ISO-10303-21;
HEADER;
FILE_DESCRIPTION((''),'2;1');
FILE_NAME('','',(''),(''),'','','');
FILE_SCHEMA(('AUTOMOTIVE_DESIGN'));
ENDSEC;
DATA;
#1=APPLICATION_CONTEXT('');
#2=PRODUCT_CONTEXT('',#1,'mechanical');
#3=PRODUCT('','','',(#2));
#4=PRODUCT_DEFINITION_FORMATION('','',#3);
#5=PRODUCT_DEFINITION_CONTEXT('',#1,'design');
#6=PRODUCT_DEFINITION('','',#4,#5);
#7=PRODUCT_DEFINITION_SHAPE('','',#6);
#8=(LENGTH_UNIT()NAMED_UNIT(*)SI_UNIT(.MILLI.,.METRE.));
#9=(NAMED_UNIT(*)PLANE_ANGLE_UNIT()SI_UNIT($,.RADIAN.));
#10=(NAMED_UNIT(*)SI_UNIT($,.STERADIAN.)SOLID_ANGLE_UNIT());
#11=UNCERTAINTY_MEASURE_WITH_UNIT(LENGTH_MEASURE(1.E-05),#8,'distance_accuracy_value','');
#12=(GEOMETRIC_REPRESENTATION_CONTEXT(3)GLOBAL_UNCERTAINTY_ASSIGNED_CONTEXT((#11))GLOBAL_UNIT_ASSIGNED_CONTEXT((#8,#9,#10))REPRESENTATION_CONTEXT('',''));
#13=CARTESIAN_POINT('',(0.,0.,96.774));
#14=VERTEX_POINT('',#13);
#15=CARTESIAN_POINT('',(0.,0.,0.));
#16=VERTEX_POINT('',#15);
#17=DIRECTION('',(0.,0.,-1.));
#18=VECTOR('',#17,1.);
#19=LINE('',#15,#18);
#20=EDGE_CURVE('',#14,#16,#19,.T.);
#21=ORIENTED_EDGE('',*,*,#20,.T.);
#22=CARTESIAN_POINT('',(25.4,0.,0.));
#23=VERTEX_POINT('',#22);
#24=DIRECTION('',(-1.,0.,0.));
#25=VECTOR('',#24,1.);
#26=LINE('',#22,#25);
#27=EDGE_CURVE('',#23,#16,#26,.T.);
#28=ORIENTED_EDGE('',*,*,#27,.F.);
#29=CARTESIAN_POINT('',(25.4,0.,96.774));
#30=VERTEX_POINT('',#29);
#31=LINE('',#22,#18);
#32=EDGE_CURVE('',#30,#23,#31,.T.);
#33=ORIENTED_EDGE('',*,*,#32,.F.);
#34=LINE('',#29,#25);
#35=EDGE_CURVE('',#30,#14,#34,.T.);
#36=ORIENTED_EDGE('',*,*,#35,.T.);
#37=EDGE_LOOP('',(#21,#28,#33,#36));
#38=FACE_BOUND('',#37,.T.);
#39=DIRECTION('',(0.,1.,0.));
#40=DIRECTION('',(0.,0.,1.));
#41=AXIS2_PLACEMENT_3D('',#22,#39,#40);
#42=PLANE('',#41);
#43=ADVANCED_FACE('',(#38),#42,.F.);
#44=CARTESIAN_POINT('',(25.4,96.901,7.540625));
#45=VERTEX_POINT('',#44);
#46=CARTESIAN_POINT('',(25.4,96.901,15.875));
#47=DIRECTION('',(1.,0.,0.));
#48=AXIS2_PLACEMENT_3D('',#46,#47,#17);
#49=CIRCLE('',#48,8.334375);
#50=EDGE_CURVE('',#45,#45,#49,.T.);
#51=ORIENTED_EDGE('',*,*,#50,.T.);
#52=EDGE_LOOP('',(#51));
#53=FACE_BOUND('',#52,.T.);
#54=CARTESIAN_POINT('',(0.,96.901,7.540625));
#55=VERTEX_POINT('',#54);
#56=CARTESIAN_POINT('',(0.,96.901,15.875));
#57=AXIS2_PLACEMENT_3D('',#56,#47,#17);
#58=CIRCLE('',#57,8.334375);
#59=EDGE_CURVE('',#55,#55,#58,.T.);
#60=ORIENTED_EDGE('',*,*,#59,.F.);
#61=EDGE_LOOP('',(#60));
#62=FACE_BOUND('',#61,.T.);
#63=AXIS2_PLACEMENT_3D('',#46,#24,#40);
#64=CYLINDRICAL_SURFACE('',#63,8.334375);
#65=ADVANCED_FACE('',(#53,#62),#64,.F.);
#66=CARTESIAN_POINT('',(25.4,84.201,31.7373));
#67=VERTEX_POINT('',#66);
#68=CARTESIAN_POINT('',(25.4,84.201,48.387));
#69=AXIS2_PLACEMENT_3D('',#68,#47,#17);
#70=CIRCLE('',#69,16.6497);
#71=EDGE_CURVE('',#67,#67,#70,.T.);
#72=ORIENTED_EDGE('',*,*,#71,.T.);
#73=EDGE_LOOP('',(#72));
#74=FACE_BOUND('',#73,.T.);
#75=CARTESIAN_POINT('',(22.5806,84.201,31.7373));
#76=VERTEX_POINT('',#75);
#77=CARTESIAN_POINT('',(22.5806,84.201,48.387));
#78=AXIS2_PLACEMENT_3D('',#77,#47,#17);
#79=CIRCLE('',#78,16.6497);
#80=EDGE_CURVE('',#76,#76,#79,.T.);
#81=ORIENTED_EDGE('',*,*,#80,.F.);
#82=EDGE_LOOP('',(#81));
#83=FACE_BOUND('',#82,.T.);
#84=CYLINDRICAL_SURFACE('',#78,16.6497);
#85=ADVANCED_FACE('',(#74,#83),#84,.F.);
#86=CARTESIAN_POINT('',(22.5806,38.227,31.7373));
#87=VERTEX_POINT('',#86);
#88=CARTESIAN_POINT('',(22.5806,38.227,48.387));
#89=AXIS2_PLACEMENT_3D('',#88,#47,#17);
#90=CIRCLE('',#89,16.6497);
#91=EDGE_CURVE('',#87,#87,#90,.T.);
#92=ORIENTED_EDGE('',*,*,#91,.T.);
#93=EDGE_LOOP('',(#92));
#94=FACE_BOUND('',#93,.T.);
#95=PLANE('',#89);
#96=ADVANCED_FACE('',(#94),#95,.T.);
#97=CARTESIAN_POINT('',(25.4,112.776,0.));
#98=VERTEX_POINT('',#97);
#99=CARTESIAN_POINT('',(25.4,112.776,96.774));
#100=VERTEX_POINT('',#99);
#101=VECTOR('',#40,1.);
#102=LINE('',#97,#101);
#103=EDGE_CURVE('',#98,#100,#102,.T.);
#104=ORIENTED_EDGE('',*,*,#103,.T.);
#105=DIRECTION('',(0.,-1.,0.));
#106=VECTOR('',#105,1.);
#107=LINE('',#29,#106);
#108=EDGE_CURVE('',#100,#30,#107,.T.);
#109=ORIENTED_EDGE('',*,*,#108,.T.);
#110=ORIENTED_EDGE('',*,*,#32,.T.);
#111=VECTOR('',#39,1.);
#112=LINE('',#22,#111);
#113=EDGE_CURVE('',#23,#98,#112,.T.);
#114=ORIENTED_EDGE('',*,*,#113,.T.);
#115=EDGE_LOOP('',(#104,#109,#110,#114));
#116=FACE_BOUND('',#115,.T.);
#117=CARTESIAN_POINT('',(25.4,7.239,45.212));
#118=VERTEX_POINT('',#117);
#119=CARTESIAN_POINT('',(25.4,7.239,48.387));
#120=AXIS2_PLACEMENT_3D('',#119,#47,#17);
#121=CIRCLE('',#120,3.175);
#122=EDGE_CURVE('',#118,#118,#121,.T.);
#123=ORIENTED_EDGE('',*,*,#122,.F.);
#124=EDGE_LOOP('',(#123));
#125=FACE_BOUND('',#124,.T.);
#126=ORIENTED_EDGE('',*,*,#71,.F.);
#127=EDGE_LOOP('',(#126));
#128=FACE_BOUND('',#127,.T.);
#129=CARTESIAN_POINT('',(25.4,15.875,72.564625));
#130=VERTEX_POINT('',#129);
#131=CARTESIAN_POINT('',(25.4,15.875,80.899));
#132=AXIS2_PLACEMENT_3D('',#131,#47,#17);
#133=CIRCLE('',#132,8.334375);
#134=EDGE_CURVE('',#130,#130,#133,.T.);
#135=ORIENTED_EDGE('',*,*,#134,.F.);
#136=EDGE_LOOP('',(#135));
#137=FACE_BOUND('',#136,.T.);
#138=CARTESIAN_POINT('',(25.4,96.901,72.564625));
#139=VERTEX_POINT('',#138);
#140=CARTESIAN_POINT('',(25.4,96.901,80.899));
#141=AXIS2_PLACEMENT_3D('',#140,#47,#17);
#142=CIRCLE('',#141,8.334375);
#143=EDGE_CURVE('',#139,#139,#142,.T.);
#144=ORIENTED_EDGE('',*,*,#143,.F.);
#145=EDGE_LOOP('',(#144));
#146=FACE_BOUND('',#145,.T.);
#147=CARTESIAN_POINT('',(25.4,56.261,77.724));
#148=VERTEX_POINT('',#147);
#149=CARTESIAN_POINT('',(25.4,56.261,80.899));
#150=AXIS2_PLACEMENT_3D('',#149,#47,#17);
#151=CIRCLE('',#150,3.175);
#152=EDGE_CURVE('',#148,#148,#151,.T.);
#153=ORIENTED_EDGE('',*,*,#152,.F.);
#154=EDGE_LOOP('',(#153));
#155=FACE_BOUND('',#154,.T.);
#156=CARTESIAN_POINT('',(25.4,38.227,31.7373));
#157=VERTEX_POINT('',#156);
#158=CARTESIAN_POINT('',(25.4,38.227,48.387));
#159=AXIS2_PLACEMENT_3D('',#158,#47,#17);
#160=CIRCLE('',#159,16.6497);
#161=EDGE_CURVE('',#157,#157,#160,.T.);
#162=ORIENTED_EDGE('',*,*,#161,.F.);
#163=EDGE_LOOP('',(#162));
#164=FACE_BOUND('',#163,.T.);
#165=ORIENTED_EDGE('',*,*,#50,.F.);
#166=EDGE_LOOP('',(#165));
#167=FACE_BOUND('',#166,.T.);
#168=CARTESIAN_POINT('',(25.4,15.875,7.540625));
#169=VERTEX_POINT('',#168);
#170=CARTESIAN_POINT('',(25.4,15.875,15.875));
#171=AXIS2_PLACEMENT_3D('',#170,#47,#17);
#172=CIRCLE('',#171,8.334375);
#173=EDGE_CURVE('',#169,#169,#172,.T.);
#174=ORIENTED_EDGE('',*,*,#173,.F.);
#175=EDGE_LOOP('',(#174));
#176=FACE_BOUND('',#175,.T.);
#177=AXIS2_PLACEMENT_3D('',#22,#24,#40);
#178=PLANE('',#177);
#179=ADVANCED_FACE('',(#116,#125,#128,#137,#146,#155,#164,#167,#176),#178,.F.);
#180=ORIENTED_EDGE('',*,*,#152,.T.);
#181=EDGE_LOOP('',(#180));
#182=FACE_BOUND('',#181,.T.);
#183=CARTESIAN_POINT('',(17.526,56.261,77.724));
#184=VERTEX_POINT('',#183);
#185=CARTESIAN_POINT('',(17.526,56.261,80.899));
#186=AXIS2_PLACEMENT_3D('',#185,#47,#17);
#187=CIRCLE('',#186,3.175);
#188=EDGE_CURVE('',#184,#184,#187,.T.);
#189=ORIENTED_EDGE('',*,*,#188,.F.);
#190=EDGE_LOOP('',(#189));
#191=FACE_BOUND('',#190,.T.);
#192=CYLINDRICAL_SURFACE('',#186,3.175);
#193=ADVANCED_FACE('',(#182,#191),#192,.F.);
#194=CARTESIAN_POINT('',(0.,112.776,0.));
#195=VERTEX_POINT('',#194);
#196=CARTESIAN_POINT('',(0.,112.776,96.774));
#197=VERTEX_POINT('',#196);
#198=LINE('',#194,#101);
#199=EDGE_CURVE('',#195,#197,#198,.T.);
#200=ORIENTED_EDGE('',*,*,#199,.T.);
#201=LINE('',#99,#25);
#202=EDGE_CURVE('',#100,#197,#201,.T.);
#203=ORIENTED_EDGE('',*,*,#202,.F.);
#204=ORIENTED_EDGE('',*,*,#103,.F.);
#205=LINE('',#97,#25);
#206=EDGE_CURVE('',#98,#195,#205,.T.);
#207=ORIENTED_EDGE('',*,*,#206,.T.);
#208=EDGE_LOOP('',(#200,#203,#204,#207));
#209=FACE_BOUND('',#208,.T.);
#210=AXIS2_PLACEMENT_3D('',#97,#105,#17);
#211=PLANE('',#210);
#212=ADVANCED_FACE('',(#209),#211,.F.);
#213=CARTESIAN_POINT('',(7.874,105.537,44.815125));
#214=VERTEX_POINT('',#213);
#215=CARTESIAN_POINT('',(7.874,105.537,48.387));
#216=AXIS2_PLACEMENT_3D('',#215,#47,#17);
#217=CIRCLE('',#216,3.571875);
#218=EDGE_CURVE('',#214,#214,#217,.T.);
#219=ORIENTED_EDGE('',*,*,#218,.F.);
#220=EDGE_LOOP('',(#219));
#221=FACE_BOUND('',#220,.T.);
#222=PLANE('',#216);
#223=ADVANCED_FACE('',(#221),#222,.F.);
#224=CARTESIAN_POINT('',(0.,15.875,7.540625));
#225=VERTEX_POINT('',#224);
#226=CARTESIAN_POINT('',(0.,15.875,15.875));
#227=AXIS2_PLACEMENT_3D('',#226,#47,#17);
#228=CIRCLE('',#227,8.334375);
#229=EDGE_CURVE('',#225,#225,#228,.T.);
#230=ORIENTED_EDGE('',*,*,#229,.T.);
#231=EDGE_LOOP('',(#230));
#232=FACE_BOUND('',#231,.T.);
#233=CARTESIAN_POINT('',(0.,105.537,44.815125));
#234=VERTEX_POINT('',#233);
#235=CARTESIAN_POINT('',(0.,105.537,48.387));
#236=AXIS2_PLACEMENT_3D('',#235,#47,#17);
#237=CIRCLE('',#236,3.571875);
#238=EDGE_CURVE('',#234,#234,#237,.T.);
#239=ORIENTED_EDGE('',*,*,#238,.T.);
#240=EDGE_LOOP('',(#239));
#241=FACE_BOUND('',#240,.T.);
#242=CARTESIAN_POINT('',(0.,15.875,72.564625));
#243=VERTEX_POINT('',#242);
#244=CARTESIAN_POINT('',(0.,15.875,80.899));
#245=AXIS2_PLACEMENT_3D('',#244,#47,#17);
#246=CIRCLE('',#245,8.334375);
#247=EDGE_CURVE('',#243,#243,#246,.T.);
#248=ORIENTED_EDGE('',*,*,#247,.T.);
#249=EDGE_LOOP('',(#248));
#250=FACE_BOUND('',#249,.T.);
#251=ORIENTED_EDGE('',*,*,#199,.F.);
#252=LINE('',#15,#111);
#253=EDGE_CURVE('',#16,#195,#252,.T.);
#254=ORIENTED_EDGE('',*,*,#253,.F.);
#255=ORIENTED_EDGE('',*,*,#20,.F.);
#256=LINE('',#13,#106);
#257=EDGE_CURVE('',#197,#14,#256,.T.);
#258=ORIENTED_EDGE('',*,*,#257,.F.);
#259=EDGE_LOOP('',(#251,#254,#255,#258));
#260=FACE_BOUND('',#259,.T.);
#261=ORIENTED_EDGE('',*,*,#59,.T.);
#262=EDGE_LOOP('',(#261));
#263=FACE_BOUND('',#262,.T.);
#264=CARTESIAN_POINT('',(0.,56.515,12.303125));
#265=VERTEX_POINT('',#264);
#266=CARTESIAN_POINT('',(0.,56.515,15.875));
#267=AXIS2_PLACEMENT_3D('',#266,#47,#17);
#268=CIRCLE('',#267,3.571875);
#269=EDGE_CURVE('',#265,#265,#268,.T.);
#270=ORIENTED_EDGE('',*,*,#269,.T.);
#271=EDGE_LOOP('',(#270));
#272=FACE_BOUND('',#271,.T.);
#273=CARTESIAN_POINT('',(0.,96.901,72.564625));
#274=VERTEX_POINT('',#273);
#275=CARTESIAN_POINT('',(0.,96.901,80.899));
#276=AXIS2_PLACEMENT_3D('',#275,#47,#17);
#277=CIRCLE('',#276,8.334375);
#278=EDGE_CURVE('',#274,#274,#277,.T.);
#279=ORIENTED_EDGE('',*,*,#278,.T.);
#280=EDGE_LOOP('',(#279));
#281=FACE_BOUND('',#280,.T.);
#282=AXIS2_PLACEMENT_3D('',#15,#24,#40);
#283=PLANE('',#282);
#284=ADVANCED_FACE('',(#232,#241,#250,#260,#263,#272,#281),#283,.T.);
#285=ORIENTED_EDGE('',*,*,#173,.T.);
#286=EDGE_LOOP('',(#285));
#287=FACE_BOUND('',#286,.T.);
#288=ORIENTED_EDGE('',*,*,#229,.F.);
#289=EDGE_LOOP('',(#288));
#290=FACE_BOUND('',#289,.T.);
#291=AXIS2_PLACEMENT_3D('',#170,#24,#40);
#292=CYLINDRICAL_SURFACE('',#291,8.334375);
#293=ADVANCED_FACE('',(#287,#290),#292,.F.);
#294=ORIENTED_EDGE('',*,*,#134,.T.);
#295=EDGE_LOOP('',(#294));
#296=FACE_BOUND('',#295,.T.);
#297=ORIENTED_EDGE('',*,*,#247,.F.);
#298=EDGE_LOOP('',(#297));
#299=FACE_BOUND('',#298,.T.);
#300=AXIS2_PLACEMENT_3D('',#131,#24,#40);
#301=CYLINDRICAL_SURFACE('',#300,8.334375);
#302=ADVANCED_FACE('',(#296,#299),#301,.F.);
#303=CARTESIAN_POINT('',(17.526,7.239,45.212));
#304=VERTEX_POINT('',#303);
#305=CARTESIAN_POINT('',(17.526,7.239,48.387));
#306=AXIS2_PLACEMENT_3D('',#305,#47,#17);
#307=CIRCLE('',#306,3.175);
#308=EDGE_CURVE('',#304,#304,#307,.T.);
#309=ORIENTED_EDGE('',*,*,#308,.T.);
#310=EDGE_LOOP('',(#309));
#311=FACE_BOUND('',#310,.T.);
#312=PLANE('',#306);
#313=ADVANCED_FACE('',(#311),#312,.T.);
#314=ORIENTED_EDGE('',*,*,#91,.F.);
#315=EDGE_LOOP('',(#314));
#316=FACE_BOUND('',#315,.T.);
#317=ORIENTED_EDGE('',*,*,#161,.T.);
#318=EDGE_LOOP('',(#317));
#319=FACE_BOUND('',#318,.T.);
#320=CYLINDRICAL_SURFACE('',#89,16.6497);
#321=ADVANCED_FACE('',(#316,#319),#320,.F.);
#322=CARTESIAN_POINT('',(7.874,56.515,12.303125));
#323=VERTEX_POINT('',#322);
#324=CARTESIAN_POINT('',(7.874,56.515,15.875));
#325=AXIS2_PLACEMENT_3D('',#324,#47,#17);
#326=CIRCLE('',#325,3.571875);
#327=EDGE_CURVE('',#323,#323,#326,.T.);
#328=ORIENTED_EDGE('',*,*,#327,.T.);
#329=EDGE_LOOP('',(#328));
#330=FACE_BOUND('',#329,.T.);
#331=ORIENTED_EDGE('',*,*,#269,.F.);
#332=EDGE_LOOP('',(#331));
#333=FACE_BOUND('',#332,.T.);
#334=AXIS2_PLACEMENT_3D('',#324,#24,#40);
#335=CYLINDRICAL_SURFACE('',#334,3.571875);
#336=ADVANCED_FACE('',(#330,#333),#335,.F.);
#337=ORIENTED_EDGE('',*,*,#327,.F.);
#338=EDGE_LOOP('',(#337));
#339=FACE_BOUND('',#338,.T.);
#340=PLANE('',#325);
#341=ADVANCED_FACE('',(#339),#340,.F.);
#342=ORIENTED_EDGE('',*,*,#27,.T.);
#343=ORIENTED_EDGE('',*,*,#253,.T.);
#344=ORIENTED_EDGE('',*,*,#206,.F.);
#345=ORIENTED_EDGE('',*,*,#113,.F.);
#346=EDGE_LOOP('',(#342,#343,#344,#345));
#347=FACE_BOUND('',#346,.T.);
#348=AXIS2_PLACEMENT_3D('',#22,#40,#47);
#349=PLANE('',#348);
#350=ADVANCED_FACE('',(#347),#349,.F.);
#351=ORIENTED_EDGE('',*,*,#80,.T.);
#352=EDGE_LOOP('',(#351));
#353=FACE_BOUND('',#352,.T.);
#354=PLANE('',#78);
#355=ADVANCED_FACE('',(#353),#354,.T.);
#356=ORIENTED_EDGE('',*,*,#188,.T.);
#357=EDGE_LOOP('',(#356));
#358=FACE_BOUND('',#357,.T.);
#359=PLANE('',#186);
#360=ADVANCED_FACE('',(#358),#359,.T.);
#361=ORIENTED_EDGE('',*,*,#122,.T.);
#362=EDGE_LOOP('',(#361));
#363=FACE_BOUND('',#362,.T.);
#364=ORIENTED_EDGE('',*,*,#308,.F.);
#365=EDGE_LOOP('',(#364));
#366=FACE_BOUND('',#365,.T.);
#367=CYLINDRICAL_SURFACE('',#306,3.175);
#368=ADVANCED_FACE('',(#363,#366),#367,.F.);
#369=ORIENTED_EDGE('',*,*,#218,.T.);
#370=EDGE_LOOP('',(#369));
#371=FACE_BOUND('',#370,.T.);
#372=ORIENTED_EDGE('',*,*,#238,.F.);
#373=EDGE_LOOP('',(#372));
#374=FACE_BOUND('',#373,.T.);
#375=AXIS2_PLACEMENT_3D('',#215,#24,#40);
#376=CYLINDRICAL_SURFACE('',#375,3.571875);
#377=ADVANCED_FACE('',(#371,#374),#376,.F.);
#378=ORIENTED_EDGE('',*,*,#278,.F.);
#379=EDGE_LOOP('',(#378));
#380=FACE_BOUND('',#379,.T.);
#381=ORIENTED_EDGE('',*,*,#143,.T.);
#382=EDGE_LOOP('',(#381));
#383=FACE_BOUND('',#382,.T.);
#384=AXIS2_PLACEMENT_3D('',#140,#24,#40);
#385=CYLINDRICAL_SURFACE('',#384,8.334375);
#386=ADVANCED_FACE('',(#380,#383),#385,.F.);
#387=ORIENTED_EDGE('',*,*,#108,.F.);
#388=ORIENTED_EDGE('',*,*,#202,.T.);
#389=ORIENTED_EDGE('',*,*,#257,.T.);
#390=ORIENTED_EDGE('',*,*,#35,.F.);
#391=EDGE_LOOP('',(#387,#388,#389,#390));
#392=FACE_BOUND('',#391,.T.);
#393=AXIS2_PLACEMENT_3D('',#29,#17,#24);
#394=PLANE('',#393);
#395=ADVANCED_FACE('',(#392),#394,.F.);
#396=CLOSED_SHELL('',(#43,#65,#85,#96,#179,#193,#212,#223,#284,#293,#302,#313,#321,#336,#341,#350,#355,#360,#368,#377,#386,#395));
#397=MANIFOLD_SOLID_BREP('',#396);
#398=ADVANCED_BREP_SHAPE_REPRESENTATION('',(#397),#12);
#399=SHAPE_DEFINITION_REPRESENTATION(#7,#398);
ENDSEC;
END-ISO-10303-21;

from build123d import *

# Parameters (mm, degrees)
SKETCH1_W           = 112.776
SKETCH1_H           = 96.774
BOSS_EXTRUDE1_DEPTH = 25.4
SKETCH2_R           = 8.334375
CUT_EXTRUDE2_DEPTH  = 151.760715215
SKETCH3_R           = 8.334375
CUT_EXTRUDE4_DEPTH  = 151.760715215
SKETCH4_R           = 3.571875
CUT_EXTRUDE6_DEPTH  = 7.874
SKETCH5_R           = 3.571875
CUT_EXTRUDE8_DEPTH  = 7.874
CUT_EXTRUDE10_START = 25.4
SKETCH6_R           = 3.175
CUT_EXTRUDE10_DEPTH = 7.874
CUT_EXTRUDE12_START = 25.4
SKETCH7_R           = 3.175
CUT_EXTRUDE12_DEPTH = 7.874
CUT_EXTRUDE14_START = 25.4
SKETCH8_R           = 16.6497
CUT_EXTRUDE14_DEPTH = 2.8194
CUT_EXTRUDE15_START = 25.4
SKETCH9_R           = 16.6497
CUT_EXTRUDE15_DEPTH = 2.8194


with BuildPart() as part:
    # Sketch1 → Boss-Extrude1 (new body)
    with BuildSketch(Plane.YZ):
        with Locations((56.388, 48.387)):
            Rectangle(SKETCH1_W, SKETCH1_H)
    extrude(amount=BOSS_EXTRUDE1_DEPTH)

    # Sketch2 → Cut-Extrude2 (cut, through all)
    with BuildSketch(Plane.YZ):
        with Locations(Location((15.875, 15.875, 0), (0, 0, 270))):
            Circle(SKETCH2_R)
    extrude(amount=CUT_EXTRUDE2_DEPTH, mode=Mode.SUBTRACT)

    # Sketch3 → Cut-Extrude4 (cut, through all)
    with BuildSketch(Plane.YZ):
        with Locations(Location((96.901, 15.875, 0), (0, 0, 270))):
            Circle(SKETCH3_R)
        with Locations(Location((15.875, 80.899, 0), (0, 0, 270))):
            Circle(SKETCH3_R)
        with Locations(Location((96.901, 80.899, 0), (0, 0, 270))):
            Circle(SKETCH3_R)
    extrude(amount=CUT_EXTRUDE4_DEPTH, mode=Mode.SUBTRACT)

    # Sketch4 → Cut-Extrude6 (cut)
    with BuildSketch(Plane.YZ):
        with Locations(Location((105.537, 48.387, 0), (0, 0, 270))):
            Circle(SKETCH4_R)
    extrude(amount=CUT_EXTRUDE6_DEPTH, mode=Mode.SUBTRACT)

    # Sketch5 → Cut-Extrude8 (cut)
    with BuildSketch(Plane.YZ):
        with Locations(Location((56.515, 15.875, 0), (0, 0, 270))):
            Circle(SKETCH5_R)
    extrude(amount=CUT_EXTRUDE8_DEPTH, mode=Mode.SUBTRACT)

    # Sketch6 → Cut-Extrude10 (cut)
    with BuildSketch(Plane.YZ.offset(CUT_EXTRUDE10_START)):
        with Locations(Location((7.239, 48.387, 0), (0, 0, 270))):
            Circle(SKETCH6_R)
    extrude(amount=-CUT_EXTRUDE10_DEPTH, mode=Mode.SUBTRACT)

    # Sketch7 → Cut-Extrude12 (cut)
    with BuildSketch(Plane.YZ.offset(CUT_EXTRUDE12_START)):
        with Locations(Location((56.261, 80.899, 0), (0, 0, 270))):
            Circle(SKETCH7_R)
    extrude(amount=-CUT_EXTRUDE12_DEPTH, mode=Mode.SUBTRACT)

    # Sketch8 → Cut-Extrude14 (cut)
    with BuildSketch(Plane.YZ.offset(CUT_EXTRUDE14_START)):
        with Locations(Location((38.227, 48.387, 0), (0, 0, 270))):
            Circle(SKETCH8_R)
    extrude(amount=-CUT_EXTRUDE14_DEPTH, mode=Mode.SUBTRACT)

    # Sketch9 → Cut-Extrude15 (cut)
    with BuildSketch(Plane.YZ.offset(CUT_EXTRUDE15_START)):
        with Locations(Location((84.201, 48.387, 0), (0, 0, 270))):
            Circle(SKETCH9_R)
    extrude(amount=-CUT_EXTRUDE15_DEPTH, mode=Mode.SUBTRACT)


solid = part.part
